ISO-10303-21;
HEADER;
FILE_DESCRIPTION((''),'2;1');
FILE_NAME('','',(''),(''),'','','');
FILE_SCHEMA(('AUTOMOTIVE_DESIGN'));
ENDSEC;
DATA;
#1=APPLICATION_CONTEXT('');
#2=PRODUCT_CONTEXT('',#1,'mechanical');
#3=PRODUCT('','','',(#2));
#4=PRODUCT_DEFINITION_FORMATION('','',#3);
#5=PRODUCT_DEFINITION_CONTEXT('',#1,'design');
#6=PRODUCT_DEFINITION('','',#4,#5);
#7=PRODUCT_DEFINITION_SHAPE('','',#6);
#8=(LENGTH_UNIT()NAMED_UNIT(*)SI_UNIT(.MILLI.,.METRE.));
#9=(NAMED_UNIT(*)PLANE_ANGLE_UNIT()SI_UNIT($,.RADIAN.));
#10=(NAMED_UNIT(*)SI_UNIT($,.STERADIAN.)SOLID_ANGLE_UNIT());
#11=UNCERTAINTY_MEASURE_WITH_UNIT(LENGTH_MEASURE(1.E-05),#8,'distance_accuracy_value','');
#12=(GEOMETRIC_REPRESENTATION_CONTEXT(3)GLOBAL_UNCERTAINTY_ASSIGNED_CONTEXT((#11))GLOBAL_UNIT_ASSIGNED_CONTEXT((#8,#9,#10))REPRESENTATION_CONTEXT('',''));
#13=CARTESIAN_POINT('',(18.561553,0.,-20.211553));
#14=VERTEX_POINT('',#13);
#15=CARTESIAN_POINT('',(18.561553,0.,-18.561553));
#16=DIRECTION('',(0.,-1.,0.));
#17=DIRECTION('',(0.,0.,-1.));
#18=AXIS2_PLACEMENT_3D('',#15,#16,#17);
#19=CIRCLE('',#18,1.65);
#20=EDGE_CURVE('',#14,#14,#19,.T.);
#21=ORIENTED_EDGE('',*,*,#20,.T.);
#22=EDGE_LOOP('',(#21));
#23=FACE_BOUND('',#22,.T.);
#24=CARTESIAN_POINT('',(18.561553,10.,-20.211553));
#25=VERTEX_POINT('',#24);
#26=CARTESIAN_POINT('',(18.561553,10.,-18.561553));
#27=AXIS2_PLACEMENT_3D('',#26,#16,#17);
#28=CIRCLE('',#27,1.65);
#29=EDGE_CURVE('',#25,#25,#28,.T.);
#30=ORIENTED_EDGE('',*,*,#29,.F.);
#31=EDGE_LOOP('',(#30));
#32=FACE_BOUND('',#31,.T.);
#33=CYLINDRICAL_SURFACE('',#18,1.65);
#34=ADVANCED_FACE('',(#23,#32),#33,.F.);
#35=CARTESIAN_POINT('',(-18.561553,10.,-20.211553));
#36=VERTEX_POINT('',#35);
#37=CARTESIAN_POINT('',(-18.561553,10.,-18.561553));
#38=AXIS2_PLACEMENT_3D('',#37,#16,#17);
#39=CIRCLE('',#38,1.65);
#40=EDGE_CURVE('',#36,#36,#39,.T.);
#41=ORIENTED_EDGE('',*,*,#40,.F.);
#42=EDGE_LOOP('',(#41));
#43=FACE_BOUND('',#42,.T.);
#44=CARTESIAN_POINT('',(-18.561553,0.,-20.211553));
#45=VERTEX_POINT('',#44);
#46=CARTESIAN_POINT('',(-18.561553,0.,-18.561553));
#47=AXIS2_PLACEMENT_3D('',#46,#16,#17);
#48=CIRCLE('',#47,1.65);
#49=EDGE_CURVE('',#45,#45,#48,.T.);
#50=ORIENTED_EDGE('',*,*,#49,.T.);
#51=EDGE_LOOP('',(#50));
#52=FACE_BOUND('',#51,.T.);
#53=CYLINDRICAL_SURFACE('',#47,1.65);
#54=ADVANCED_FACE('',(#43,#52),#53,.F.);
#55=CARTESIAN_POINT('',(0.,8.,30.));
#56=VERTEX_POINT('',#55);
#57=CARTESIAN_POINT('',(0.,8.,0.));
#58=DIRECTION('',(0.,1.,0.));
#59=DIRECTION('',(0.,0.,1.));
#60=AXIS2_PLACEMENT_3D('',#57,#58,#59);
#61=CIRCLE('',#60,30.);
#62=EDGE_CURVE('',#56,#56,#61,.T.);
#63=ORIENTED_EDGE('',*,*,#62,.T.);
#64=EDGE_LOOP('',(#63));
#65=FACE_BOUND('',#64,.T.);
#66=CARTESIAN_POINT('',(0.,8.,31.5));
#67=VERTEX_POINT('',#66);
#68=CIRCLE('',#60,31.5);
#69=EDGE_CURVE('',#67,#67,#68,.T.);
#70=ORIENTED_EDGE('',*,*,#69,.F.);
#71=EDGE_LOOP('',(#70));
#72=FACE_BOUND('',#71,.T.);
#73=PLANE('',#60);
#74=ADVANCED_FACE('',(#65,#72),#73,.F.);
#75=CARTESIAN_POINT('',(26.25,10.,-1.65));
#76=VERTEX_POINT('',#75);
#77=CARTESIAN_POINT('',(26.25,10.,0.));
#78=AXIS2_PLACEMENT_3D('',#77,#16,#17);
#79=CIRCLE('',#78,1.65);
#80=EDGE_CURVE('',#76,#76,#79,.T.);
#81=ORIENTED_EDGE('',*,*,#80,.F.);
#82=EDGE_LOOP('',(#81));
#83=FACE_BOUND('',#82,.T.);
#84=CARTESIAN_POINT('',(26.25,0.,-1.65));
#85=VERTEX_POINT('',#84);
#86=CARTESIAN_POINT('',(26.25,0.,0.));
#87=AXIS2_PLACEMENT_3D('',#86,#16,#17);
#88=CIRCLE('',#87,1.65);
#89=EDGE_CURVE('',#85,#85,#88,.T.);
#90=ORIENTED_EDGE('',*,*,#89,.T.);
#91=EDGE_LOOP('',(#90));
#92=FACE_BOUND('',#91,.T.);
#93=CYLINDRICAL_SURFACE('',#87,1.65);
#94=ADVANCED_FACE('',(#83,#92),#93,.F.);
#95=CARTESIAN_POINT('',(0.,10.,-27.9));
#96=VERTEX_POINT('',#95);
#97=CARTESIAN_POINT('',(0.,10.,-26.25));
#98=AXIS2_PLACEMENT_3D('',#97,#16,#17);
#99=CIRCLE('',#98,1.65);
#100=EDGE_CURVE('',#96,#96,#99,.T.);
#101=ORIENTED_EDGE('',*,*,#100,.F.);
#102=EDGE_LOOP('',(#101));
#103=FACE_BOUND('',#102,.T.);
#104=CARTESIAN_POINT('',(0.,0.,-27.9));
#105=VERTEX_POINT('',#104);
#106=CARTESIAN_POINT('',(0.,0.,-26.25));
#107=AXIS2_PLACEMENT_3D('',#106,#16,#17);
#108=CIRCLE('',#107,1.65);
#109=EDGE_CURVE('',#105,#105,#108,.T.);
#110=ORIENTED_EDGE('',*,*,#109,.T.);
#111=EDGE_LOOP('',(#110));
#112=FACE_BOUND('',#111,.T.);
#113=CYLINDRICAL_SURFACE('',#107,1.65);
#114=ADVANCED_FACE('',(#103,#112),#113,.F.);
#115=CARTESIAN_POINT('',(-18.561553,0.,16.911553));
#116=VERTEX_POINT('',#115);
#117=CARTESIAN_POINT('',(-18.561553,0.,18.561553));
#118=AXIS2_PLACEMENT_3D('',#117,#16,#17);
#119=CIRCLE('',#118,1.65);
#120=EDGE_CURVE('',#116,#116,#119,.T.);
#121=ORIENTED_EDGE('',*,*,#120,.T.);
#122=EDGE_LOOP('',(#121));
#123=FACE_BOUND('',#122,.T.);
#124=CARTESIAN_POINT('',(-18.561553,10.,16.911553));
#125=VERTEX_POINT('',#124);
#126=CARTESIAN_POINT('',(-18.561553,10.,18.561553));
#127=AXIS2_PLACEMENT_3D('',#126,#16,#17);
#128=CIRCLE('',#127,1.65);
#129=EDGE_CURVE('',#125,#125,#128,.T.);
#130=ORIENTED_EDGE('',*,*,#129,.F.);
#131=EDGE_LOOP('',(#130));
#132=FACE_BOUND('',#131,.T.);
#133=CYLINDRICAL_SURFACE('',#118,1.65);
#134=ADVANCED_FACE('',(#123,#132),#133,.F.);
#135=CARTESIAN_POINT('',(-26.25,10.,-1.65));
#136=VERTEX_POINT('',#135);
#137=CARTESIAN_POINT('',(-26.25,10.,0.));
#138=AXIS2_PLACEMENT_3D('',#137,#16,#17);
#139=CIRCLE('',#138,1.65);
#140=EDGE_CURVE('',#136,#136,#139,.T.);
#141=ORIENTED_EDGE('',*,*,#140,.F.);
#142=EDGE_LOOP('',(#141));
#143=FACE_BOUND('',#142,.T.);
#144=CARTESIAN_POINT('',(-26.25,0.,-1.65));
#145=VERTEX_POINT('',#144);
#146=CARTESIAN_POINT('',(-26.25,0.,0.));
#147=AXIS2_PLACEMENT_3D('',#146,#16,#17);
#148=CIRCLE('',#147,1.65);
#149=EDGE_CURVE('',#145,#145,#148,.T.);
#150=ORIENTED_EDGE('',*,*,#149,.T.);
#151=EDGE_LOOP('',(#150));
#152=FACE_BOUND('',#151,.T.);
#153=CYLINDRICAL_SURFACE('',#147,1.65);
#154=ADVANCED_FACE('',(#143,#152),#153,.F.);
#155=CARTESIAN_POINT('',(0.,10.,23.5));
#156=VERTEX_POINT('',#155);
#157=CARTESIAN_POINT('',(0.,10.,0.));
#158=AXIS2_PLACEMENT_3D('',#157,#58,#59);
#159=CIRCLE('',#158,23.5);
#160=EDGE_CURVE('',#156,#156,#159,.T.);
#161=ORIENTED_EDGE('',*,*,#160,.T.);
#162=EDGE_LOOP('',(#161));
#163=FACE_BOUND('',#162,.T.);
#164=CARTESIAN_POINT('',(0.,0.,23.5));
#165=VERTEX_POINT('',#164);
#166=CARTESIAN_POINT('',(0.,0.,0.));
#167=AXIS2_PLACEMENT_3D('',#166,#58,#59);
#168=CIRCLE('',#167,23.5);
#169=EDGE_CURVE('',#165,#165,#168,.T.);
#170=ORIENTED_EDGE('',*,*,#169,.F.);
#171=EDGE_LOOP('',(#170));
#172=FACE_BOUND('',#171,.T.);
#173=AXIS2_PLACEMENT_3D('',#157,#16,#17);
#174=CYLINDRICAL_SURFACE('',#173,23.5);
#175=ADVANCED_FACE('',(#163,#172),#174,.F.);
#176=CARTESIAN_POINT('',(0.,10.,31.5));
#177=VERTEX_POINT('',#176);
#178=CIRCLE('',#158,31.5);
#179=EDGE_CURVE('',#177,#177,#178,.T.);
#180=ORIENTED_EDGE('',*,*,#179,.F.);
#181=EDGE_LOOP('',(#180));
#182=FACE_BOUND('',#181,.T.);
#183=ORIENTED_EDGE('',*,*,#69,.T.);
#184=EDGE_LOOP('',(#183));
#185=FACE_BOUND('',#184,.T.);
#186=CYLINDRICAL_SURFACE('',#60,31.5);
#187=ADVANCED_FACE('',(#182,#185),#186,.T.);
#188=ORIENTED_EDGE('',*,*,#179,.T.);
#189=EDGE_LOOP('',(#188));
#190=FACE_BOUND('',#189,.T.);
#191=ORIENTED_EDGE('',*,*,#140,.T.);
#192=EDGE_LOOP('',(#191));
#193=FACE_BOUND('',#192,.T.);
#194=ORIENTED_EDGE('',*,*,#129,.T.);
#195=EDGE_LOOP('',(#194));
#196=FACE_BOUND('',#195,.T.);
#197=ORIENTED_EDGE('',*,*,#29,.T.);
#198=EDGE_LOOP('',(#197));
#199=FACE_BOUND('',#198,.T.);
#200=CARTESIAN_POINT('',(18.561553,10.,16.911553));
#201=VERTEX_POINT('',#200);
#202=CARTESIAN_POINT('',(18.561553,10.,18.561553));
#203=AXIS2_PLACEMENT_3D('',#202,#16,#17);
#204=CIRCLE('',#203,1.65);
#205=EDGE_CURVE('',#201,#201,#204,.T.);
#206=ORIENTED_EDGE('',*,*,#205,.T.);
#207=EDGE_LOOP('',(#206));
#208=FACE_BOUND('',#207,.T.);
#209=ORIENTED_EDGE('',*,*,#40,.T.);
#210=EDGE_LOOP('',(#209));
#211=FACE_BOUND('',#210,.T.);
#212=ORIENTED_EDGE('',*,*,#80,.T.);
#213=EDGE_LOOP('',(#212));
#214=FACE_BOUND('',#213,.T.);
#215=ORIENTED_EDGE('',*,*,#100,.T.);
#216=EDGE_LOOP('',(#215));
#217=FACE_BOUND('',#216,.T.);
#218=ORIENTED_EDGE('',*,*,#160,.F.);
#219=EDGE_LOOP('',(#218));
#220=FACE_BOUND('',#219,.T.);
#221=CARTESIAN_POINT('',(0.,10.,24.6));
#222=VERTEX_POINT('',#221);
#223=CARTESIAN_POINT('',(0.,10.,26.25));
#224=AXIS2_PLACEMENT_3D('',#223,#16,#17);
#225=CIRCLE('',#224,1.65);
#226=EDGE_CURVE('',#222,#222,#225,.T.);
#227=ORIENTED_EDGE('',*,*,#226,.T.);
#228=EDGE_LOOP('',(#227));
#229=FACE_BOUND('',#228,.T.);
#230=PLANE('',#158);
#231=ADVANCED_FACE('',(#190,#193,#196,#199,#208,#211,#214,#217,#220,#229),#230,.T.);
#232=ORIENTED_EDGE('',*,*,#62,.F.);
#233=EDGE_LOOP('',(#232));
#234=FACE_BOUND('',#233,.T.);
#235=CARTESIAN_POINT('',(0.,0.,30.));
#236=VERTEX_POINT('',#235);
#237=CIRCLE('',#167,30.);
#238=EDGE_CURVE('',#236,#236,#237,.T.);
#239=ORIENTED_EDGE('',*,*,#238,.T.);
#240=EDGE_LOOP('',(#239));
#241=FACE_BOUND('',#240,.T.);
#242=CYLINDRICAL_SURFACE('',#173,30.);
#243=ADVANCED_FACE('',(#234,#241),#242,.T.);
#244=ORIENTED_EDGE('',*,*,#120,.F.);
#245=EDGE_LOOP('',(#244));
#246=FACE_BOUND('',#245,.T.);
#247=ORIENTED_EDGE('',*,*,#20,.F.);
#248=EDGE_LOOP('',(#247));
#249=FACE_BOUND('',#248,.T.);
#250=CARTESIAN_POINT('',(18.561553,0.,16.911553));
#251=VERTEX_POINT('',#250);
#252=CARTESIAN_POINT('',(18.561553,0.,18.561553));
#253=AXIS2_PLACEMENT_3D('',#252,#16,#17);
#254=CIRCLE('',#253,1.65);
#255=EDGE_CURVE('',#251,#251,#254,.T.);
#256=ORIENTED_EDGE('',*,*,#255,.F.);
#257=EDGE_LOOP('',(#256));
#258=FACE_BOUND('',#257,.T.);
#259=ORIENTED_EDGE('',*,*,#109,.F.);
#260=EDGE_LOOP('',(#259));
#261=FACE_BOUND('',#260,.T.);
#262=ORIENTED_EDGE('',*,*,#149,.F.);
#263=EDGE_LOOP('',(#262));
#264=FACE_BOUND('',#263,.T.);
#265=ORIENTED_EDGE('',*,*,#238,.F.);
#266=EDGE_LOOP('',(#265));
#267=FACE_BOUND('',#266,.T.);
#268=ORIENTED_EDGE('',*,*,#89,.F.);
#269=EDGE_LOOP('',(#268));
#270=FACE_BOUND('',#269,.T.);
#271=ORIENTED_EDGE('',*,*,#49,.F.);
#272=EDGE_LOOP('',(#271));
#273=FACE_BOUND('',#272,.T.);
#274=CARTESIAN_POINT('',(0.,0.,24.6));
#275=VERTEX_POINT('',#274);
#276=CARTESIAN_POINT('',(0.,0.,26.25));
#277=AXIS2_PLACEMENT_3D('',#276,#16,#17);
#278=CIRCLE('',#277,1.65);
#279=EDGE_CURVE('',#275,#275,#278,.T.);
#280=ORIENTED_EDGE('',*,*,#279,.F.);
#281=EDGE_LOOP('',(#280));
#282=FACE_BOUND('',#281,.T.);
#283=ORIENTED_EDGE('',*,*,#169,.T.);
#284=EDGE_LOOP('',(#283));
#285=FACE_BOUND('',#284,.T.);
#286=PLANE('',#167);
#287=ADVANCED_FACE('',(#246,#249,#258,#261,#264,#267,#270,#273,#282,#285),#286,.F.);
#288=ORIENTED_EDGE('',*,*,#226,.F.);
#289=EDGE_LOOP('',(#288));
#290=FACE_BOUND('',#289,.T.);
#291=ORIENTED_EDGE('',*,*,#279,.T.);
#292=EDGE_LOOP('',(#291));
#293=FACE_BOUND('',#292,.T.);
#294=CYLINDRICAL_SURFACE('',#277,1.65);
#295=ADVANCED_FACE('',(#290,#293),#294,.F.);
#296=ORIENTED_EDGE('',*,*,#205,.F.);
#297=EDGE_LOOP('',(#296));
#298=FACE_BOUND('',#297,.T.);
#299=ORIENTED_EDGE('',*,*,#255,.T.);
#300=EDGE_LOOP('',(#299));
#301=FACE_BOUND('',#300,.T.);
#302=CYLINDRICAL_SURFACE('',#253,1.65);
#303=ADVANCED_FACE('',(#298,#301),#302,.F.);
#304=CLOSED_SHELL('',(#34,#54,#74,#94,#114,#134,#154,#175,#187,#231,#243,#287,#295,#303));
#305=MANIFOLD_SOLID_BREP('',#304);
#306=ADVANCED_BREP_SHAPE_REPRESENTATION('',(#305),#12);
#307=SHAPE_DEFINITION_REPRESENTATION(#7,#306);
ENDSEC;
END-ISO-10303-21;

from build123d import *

# Parameters (mm, degrees)
SKETCH_1_R         = 30
SKETCH_1_R_2       = 23.5
EXTRUDE_1_DEPTH    = 10
SKETCH_2_R         = 31.5
SKETCH_2_R_2       = 30
EXTRUDE_2_DEPTH    = 2
HOLE_WIZARD_M4_1_D = 3.3


with BuildPart() as part:
    # 草图1 → 凸台-拉伸1 (new body)
    with BuildSketch(Plane(origin=(0, 0, 0), x_dir=(1, 0, 0), z_dir=(0, 1, 0))):
        Circle(SKETCH_1_R)
        Circle(SKETCH_1_R_2, mode=Mode.SUBTRACT)
    extrude(amount=EXTRUDE_1_DEPTH)

    # 草图2 → 凸台-拉伸2 (add)
    with BuildSketch(Plane(origin=(0, 10, 0), x_dir=(1, 0, 0), z_dir=(0, 1, 0))):
        Circle(SKETCH_2_R)
        Circle(SKETCH_2_R_2, mode=Mode.SUBTRACT)
    extrude(amount=-EXTRUDE_2_DEPTH)

    # M4 螺纹孔1 (through all)
    with Locations(Plane(origin=(-18.561553006, 0, 18.561553006), x_dir=(0, 0, -1), z_dir=(0, -1, 0))):
        with Locations((0, 0), (-7.688446994, 18.561553006), (18.561553006, -7.688446994), (37.123106012, 0), (44.811553006, 18.561553006), (37.123106012, 37.123106012), (18.561553006, 44.811553006), (0, 37.123106012)):
            Hole(HOLE_WIZARD_M4_1_D / 2)


solid = part.part
